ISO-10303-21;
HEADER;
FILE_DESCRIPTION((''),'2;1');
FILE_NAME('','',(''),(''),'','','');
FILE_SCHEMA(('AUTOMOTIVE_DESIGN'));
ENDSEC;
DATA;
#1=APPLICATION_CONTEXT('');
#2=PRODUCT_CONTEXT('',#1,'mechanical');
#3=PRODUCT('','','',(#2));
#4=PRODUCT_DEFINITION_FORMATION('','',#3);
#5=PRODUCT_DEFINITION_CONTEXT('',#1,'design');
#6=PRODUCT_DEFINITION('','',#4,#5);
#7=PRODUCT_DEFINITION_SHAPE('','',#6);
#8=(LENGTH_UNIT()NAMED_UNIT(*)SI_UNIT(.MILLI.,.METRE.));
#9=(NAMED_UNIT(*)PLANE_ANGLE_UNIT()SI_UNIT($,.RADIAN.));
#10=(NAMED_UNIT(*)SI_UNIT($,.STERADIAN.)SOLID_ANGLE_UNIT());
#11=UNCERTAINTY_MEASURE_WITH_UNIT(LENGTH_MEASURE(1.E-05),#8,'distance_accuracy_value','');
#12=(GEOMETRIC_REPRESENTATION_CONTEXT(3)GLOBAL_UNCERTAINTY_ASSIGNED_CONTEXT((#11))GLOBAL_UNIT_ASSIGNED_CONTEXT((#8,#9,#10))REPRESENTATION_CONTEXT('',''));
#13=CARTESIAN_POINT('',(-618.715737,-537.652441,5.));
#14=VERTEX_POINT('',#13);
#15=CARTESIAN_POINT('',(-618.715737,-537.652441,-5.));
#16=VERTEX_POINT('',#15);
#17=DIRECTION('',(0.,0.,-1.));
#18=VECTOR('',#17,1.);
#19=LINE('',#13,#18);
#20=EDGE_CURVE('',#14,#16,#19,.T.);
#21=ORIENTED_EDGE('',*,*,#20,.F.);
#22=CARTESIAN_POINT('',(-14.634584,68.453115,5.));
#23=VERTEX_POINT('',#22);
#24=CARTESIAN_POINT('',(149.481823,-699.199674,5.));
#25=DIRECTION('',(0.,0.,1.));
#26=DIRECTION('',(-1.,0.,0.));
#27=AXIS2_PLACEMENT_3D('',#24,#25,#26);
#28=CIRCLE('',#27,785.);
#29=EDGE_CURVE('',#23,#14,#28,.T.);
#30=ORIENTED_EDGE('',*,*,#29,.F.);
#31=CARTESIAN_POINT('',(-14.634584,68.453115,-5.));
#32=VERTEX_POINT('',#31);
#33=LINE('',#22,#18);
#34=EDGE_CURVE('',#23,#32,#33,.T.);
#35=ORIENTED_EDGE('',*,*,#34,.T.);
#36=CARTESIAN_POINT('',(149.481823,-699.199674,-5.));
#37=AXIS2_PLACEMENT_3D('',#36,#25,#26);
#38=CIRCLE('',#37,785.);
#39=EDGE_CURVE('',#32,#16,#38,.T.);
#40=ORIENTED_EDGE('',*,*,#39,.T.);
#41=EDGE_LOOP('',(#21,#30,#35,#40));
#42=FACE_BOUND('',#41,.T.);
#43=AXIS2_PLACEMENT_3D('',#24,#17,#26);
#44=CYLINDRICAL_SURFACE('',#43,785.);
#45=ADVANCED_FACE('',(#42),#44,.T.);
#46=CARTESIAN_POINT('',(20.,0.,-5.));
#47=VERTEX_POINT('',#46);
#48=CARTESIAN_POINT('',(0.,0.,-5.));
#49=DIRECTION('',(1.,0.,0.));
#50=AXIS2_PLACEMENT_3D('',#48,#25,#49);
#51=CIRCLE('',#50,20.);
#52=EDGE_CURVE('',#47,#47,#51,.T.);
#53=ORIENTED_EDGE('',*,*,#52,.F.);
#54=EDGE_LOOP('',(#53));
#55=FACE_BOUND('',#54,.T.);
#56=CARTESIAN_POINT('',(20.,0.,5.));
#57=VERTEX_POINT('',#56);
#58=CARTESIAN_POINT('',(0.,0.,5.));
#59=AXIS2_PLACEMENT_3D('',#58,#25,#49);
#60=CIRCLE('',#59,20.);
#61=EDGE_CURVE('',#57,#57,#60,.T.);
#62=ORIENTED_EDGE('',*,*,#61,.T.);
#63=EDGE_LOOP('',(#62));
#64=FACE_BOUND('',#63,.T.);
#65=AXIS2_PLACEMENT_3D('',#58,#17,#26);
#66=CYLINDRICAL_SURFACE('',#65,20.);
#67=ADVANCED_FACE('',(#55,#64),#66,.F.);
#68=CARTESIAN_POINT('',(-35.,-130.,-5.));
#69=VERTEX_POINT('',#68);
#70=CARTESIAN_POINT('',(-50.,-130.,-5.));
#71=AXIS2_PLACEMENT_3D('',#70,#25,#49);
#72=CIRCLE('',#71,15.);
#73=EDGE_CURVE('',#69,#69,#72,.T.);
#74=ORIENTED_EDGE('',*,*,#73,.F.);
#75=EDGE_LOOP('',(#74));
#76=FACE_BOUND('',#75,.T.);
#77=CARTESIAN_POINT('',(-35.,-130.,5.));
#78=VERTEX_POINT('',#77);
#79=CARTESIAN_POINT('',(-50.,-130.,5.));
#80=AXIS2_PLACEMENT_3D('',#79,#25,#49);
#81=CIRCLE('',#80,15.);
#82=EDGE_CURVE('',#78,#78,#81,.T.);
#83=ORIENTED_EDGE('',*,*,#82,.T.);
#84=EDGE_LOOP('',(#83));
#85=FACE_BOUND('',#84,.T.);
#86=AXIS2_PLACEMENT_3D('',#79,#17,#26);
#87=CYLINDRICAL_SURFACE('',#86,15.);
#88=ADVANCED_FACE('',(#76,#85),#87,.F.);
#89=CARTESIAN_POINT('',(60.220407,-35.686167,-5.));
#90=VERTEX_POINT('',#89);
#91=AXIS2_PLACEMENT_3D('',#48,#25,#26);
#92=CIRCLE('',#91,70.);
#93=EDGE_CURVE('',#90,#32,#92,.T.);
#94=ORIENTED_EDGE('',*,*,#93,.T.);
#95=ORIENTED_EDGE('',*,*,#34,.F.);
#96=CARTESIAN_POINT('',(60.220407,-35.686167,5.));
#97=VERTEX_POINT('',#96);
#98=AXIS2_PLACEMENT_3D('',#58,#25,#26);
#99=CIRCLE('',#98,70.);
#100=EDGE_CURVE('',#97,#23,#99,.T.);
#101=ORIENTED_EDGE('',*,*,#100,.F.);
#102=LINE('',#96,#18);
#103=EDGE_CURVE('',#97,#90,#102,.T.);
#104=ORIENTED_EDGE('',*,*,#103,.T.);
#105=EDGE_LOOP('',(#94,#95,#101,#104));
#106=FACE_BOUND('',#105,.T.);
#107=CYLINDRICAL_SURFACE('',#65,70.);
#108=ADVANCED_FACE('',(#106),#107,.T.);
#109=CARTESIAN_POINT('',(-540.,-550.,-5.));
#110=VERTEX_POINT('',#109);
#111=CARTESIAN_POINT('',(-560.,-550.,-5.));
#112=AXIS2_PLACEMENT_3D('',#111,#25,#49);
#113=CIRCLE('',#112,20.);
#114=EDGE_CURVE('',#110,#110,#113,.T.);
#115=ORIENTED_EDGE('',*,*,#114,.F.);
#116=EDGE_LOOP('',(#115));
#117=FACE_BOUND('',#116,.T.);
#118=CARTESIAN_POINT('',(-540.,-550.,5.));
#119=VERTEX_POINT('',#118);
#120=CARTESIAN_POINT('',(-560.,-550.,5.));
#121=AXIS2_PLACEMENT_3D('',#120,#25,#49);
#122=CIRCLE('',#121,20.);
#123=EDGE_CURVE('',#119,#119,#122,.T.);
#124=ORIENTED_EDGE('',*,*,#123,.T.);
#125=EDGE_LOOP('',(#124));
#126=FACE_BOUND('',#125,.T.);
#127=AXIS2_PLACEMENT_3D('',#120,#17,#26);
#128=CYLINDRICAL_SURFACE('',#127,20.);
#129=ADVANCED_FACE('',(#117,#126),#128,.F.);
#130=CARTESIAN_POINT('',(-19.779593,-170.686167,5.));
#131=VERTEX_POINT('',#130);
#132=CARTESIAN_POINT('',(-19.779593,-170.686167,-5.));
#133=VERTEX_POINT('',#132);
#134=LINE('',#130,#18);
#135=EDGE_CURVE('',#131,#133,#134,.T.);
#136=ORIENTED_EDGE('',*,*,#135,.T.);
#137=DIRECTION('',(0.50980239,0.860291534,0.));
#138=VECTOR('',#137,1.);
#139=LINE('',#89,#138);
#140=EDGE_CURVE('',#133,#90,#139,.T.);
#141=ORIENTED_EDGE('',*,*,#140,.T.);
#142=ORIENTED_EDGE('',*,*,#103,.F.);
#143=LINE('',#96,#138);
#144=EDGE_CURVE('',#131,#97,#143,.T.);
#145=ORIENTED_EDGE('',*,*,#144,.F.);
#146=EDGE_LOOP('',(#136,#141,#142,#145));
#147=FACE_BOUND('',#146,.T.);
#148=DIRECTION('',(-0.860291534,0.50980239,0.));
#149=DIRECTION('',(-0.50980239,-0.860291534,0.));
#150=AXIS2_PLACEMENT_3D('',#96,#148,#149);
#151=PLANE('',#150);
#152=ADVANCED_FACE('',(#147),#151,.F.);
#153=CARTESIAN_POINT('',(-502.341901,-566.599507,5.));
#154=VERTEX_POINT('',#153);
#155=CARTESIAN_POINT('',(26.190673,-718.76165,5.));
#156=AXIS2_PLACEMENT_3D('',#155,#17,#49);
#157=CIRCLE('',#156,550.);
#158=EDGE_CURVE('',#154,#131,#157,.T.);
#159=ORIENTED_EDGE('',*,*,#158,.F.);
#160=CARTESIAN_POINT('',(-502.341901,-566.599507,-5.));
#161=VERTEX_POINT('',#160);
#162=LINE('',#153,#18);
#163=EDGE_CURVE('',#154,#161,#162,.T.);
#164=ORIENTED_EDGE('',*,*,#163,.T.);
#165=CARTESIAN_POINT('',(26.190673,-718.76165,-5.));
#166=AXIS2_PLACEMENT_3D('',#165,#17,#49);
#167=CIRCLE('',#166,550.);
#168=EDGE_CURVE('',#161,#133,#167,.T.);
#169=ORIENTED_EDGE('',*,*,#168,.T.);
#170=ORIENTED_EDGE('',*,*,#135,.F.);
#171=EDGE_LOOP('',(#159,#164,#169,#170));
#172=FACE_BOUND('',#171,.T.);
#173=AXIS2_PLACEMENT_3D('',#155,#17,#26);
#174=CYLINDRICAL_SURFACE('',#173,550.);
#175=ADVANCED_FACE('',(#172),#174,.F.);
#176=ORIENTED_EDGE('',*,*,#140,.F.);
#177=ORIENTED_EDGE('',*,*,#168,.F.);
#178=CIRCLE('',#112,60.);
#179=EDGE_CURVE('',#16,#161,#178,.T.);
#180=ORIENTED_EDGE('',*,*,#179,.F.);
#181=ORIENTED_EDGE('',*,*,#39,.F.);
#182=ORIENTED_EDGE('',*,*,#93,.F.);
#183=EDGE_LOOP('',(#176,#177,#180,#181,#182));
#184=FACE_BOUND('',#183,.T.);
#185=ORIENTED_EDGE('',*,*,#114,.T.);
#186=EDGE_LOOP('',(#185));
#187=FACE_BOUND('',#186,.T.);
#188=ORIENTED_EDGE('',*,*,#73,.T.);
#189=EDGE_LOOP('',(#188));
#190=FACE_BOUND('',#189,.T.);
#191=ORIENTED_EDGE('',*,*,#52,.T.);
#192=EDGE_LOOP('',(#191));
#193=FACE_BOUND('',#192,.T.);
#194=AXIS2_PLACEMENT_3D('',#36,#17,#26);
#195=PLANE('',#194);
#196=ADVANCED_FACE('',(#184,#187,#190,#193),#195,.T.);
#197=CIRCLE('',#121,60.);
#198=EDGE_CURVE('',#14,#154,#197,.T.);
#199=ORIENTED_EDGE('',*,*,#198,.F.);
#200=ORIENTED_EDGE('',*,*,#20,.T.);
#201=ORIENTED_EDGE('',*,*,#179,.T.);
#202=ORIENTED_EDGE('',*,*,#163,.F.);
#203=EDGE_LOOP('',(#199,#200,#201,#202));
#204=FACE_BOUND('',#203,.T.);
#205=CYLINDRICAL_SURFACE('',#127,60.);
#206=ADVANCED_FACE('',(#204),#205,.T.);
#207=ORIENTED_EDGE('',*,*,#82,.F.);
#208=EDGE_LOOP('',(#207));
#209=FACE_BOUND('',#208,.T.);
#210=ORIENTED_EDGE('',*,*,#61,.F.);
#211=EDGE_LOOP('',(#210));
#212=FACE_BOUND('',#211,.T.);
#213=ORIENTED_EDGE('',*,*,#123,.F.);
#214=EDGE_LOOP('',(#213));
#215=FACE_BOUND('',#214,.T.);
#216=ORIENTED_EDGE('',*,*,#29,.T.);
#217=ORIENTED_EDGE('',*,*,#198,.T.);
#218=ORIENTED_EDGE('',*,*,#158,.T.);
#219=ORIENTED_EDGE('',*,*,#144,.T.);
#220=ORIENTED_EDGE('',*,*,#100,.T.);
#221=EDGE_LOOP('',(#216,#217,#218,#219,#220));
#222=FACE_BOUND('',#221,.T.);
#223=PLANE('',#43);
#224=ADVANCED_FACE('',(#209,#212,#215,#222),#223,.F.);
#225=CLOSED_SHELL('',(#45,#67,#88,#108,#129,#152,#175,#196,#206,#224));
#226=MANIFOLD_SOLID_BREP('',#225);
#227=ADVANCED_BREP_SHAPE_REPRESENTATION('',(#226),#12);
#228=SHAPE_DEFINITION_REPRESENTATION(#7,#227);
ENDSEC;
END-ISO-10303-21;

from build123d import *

# Parameters (mm, degrees)
SKETCH1_R           = 20
SKETCH1_R_2         = 15
BOSS_EXTRUDE1_DEPTH = 5


with BuildPart() as part:
    # Sketch1 → Boss-Extrude1 (new body, symmetric)
    with BuildSketch(Plane.XY):
        with BuildLine():
            Line((60.220407354, -35.686167321), (-19.779592646, -170.686167321))
            ThreePointArc((-19.779592646, -170.686167321), (-322.664914871, -293.556077803), (-502.341900983, -566.599506551))
            ThreePointArc((-502.341900983, -566.599506551), (-574.483190404, -608.225743411), (-618.715737076, -537.652440745))
            ThreePointArc((-618.715737076, -537.652440745), (-406.524759245, -145.05016338), (-14.634584071, 68.45311497))
            ThreePointArc((-14.634584071, 68.45311497), (56.839813073, 40.856280421), (60.220407354, -35.686167321))
        make_face()
        Circle(SKETCH1_R, mode=Mode.SUBTRACT)
        with Locations((-50, -130)):
            Circle(SKETCH1_R_2, mode=Mode.SUBTRACT)
        with Locations((-560, -550)):
            Circle(SKETCH1_R, mode=Mode.SUBTRACT)
    extrude(amount=BOSS_EXTRUDE1_DEPTH, both=True)


solid = part.part
